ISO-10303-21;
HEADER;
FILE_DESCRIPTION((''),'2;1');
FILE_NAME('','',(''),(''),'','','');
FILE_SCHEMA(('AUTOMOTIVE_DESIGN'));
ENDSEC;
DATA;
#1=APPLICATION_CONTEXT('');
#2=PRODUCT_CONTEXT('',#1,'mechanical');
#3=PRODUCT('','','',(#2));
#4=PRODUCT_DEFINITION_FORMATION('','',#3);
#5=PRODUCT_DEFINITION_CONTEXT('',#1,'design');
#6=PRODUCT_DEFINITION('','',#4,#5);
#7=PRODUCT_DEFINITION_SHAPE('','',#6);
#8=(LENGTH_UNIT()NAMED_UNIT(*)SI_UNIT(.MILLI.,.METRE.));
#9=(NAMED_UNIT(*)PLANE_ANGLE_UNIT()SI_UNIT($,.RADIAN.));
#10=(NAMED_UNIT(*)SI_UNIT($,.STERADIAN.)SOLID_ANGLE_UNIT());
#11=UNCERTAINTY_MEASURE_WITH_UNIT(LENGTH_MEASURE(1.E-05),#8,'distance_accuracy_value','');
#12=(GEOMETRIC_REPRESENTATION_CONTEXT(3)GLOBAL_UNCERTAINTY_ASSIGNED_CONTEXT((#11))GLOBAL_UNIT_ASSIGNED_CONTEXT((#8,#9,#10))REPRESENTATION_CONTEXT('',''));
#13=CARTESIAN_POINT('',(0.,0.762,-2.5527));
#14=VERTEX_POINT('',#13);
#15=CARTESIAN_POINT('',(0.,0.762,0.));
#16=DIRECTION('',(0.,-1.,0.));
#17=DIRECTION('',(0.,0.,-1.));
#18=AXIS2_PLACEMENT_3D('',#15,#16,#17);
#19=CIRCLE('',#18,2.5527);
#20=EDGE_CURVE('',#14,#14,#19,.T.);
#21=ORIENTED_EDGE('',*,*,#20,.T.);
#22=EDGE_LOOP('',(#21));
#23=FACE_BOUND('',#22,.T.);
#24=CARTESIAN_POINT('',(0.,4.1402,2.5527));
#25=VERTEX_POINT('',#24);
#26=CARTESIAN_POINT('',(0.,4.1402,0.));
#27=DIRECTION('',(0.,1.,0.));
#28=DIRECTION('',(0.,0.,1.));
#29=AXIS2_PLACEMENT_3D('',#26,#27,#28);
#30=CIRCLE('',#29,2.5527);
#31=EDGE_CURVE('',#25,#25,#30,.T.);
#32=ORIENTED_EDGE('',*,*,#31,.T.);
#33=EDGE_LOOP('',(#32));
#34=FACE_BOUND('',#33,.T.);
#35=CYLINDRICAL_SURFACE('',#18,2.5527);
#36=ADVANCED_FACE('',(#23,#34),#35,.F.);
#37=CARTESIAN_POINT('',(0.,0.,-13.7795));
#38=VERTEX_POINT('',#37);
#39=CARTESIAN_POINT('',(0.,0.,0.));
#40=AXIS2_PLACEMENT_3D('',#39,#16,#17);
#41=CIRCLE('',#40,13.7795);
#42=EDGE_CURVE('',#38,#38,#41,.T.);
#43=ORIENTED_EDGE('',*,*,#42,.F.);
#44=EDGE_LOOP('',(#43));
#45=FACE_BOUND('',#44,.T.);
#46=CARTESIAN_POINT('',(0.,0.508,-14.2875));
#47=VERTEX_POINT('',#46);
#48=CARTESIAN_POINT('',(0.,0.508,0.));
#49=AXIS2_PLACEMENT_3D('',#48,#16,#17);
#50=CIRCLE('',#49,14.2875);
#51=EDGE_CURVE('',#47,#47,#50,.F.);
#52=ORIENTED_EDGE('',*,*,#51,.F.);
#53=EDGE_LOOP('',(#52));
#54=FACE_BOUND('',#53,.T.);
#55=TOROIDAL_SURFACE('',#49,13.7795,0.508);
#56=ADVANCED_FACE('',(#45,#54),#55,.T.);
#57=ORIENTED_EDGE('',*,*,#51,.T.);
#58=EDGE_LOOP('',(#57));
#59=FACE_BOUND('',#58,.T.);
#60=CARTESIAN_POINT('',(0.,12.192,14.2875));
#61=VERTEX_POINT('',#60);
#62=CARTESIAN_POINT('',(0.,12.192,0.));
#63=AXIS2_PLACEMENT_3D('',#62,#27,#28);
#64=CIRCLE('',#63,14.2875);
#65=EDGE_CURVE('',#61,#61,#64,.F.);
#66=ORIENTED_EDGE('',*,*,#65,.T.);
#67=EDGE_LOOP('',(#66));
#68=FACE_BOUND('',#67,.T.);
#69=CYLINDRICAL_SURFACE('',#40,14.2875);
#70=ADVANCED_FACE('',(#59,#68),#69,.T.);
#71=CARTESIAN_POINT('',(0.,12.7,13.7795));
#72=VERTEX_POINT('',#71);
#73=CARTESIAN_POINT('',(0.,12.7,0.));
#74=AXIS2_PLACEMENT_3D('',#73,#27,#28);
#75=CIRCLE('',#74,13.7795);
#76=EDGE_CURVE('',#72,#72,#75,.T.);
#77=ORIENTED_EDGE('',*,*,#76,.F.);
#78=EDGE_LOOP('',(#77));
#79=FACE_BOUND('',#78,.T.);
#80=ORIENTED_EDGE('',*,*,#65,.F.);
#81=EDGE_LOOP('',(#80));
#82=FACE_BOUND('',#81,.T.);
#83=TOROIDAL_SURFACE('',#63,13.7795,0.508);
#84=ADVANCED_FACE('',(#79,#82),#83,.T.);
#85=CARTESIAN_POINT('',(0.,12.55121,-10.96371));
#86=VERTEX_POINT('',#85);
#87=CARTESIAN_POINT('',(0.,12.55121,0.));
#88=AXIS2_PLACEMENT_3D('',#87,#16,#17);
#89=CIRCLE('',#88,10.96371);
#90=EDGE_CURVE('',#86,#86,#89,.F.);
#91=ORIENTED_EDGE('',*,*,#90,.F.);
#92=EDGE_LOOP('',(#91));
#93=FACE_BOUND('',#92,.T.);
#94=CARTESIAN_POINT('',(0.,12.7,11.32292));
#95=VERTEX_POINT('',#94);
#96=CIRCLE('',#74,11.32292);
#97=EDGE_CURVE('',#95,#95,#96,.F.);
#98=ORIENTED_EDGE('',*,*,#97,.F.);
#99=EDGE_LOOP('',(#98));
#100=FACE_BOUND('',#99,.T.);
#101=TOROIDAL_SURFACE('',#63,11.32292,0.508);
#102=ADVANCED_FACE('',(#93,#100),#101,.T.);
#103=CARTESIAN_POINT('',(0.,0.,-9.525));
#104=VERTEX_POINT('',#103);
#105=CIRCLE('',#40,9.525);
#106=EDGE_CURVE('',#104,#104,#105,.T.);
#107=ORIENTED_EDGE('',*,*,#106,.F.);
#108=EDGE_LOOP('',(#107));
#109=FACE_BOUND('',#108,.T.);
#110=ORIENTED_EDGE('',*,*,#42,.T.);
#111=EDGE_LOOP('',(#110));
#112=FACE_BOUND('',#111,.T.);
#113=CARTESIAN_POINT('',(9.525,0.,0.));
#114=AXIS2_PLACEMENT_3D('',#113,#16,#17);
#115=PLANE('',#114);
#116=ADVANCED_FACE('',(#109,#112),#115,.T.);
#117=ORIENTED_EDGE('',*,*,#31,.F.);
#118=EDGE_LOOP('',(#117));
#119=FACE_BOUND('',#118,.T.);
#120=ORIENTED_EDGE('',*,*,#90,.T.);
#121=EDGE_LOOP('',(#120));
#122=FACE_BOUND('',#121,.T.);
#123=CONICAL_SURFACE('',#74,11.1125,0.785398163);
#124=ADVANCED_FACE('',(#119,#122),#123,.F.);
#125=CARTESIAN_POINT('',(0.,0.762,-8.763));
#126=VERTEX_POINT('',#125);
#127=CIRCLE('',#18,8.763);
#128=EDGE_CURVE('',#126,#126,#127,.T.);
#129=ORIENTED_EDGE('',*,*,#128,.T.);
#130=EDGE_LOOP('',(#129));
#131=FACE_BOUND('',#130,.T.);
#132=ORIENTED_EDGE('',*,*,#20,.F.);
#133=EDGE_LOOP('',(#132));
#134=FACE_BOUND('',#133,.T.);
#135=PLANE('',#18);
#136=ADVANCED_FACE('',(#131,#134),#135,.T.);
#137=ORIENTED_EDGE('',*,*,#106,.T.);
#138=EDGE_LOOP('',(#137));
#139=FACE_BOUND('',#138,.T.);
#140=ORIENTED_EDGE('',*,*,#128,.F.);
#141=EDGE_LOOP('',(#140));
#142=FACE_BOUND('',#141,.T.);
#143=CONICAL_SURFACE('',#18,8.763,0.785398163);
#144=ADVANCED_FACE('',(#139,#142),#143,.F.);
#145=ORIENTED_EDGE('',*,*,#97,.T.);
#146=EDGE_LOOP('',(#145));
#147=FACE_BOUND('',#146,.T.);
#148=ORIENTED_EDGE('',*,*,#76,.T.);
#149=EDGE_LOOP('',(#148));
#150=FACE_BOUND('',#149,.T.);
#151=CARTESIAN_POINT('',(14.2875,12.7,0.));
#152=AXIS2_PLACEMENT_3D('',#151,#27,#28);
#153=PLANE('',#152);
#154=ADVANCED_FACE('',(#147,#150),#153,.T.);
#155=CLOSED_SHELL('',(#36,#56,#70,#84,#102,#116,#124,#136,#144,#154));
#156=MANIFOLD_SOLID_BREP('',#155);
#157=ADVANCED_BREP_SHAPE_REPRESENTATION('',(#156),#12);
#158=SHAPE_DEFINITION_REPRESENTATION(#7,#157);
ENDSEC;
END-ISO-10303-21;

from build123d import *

# Parameters (mm, degrees)
FILLET1_R               = 0.508
F_1_4_20_TAPPED_HOLE1_D = 5.1054


with BuildPart() as part:
    # Sketch1 → Revolve1 (revolve)
    with BuildSketch(Plane.XY, mode=Mode.PRIVATE) as revolve1_sk:
        Polygon((0, 0.762), (8.763, 0.762), (9.525, 0), (14.2875, 0), (14.2875, 12.7), (11.1125, 12.7), (0, 1.5875), align=None)
    revolve(revolve1_sk.sketch.rotate(Axis((0, 0, 0), (0, 1, 0)), 90), axis=Axis((0, 0, 0), (0, 1, 0)))  # turned: the seam where the file's is

    # Fillet1
    fillet1_edges = [part.edges().sort_by_distance(p)[0] for p in [
        (0, 0, 14.2875),
        (0, 12.7, 14.2875),
        (0, 12.7, 11.1125),
    ]]
    fillet(fillet1_edges, radius=FILLET1_R)

    # 1_4-20 Tapped Hole1 (through all)
    with Locations(Plane(origin=(0, 0.762, 0), x_dir=(-1, 0, 0), z_dir=(0, -1, 0))):
        with Locations((0, 0)):
            Hole(F_1_4_20_TAPPED_HOLE1_D / 2)


solid = part.part
